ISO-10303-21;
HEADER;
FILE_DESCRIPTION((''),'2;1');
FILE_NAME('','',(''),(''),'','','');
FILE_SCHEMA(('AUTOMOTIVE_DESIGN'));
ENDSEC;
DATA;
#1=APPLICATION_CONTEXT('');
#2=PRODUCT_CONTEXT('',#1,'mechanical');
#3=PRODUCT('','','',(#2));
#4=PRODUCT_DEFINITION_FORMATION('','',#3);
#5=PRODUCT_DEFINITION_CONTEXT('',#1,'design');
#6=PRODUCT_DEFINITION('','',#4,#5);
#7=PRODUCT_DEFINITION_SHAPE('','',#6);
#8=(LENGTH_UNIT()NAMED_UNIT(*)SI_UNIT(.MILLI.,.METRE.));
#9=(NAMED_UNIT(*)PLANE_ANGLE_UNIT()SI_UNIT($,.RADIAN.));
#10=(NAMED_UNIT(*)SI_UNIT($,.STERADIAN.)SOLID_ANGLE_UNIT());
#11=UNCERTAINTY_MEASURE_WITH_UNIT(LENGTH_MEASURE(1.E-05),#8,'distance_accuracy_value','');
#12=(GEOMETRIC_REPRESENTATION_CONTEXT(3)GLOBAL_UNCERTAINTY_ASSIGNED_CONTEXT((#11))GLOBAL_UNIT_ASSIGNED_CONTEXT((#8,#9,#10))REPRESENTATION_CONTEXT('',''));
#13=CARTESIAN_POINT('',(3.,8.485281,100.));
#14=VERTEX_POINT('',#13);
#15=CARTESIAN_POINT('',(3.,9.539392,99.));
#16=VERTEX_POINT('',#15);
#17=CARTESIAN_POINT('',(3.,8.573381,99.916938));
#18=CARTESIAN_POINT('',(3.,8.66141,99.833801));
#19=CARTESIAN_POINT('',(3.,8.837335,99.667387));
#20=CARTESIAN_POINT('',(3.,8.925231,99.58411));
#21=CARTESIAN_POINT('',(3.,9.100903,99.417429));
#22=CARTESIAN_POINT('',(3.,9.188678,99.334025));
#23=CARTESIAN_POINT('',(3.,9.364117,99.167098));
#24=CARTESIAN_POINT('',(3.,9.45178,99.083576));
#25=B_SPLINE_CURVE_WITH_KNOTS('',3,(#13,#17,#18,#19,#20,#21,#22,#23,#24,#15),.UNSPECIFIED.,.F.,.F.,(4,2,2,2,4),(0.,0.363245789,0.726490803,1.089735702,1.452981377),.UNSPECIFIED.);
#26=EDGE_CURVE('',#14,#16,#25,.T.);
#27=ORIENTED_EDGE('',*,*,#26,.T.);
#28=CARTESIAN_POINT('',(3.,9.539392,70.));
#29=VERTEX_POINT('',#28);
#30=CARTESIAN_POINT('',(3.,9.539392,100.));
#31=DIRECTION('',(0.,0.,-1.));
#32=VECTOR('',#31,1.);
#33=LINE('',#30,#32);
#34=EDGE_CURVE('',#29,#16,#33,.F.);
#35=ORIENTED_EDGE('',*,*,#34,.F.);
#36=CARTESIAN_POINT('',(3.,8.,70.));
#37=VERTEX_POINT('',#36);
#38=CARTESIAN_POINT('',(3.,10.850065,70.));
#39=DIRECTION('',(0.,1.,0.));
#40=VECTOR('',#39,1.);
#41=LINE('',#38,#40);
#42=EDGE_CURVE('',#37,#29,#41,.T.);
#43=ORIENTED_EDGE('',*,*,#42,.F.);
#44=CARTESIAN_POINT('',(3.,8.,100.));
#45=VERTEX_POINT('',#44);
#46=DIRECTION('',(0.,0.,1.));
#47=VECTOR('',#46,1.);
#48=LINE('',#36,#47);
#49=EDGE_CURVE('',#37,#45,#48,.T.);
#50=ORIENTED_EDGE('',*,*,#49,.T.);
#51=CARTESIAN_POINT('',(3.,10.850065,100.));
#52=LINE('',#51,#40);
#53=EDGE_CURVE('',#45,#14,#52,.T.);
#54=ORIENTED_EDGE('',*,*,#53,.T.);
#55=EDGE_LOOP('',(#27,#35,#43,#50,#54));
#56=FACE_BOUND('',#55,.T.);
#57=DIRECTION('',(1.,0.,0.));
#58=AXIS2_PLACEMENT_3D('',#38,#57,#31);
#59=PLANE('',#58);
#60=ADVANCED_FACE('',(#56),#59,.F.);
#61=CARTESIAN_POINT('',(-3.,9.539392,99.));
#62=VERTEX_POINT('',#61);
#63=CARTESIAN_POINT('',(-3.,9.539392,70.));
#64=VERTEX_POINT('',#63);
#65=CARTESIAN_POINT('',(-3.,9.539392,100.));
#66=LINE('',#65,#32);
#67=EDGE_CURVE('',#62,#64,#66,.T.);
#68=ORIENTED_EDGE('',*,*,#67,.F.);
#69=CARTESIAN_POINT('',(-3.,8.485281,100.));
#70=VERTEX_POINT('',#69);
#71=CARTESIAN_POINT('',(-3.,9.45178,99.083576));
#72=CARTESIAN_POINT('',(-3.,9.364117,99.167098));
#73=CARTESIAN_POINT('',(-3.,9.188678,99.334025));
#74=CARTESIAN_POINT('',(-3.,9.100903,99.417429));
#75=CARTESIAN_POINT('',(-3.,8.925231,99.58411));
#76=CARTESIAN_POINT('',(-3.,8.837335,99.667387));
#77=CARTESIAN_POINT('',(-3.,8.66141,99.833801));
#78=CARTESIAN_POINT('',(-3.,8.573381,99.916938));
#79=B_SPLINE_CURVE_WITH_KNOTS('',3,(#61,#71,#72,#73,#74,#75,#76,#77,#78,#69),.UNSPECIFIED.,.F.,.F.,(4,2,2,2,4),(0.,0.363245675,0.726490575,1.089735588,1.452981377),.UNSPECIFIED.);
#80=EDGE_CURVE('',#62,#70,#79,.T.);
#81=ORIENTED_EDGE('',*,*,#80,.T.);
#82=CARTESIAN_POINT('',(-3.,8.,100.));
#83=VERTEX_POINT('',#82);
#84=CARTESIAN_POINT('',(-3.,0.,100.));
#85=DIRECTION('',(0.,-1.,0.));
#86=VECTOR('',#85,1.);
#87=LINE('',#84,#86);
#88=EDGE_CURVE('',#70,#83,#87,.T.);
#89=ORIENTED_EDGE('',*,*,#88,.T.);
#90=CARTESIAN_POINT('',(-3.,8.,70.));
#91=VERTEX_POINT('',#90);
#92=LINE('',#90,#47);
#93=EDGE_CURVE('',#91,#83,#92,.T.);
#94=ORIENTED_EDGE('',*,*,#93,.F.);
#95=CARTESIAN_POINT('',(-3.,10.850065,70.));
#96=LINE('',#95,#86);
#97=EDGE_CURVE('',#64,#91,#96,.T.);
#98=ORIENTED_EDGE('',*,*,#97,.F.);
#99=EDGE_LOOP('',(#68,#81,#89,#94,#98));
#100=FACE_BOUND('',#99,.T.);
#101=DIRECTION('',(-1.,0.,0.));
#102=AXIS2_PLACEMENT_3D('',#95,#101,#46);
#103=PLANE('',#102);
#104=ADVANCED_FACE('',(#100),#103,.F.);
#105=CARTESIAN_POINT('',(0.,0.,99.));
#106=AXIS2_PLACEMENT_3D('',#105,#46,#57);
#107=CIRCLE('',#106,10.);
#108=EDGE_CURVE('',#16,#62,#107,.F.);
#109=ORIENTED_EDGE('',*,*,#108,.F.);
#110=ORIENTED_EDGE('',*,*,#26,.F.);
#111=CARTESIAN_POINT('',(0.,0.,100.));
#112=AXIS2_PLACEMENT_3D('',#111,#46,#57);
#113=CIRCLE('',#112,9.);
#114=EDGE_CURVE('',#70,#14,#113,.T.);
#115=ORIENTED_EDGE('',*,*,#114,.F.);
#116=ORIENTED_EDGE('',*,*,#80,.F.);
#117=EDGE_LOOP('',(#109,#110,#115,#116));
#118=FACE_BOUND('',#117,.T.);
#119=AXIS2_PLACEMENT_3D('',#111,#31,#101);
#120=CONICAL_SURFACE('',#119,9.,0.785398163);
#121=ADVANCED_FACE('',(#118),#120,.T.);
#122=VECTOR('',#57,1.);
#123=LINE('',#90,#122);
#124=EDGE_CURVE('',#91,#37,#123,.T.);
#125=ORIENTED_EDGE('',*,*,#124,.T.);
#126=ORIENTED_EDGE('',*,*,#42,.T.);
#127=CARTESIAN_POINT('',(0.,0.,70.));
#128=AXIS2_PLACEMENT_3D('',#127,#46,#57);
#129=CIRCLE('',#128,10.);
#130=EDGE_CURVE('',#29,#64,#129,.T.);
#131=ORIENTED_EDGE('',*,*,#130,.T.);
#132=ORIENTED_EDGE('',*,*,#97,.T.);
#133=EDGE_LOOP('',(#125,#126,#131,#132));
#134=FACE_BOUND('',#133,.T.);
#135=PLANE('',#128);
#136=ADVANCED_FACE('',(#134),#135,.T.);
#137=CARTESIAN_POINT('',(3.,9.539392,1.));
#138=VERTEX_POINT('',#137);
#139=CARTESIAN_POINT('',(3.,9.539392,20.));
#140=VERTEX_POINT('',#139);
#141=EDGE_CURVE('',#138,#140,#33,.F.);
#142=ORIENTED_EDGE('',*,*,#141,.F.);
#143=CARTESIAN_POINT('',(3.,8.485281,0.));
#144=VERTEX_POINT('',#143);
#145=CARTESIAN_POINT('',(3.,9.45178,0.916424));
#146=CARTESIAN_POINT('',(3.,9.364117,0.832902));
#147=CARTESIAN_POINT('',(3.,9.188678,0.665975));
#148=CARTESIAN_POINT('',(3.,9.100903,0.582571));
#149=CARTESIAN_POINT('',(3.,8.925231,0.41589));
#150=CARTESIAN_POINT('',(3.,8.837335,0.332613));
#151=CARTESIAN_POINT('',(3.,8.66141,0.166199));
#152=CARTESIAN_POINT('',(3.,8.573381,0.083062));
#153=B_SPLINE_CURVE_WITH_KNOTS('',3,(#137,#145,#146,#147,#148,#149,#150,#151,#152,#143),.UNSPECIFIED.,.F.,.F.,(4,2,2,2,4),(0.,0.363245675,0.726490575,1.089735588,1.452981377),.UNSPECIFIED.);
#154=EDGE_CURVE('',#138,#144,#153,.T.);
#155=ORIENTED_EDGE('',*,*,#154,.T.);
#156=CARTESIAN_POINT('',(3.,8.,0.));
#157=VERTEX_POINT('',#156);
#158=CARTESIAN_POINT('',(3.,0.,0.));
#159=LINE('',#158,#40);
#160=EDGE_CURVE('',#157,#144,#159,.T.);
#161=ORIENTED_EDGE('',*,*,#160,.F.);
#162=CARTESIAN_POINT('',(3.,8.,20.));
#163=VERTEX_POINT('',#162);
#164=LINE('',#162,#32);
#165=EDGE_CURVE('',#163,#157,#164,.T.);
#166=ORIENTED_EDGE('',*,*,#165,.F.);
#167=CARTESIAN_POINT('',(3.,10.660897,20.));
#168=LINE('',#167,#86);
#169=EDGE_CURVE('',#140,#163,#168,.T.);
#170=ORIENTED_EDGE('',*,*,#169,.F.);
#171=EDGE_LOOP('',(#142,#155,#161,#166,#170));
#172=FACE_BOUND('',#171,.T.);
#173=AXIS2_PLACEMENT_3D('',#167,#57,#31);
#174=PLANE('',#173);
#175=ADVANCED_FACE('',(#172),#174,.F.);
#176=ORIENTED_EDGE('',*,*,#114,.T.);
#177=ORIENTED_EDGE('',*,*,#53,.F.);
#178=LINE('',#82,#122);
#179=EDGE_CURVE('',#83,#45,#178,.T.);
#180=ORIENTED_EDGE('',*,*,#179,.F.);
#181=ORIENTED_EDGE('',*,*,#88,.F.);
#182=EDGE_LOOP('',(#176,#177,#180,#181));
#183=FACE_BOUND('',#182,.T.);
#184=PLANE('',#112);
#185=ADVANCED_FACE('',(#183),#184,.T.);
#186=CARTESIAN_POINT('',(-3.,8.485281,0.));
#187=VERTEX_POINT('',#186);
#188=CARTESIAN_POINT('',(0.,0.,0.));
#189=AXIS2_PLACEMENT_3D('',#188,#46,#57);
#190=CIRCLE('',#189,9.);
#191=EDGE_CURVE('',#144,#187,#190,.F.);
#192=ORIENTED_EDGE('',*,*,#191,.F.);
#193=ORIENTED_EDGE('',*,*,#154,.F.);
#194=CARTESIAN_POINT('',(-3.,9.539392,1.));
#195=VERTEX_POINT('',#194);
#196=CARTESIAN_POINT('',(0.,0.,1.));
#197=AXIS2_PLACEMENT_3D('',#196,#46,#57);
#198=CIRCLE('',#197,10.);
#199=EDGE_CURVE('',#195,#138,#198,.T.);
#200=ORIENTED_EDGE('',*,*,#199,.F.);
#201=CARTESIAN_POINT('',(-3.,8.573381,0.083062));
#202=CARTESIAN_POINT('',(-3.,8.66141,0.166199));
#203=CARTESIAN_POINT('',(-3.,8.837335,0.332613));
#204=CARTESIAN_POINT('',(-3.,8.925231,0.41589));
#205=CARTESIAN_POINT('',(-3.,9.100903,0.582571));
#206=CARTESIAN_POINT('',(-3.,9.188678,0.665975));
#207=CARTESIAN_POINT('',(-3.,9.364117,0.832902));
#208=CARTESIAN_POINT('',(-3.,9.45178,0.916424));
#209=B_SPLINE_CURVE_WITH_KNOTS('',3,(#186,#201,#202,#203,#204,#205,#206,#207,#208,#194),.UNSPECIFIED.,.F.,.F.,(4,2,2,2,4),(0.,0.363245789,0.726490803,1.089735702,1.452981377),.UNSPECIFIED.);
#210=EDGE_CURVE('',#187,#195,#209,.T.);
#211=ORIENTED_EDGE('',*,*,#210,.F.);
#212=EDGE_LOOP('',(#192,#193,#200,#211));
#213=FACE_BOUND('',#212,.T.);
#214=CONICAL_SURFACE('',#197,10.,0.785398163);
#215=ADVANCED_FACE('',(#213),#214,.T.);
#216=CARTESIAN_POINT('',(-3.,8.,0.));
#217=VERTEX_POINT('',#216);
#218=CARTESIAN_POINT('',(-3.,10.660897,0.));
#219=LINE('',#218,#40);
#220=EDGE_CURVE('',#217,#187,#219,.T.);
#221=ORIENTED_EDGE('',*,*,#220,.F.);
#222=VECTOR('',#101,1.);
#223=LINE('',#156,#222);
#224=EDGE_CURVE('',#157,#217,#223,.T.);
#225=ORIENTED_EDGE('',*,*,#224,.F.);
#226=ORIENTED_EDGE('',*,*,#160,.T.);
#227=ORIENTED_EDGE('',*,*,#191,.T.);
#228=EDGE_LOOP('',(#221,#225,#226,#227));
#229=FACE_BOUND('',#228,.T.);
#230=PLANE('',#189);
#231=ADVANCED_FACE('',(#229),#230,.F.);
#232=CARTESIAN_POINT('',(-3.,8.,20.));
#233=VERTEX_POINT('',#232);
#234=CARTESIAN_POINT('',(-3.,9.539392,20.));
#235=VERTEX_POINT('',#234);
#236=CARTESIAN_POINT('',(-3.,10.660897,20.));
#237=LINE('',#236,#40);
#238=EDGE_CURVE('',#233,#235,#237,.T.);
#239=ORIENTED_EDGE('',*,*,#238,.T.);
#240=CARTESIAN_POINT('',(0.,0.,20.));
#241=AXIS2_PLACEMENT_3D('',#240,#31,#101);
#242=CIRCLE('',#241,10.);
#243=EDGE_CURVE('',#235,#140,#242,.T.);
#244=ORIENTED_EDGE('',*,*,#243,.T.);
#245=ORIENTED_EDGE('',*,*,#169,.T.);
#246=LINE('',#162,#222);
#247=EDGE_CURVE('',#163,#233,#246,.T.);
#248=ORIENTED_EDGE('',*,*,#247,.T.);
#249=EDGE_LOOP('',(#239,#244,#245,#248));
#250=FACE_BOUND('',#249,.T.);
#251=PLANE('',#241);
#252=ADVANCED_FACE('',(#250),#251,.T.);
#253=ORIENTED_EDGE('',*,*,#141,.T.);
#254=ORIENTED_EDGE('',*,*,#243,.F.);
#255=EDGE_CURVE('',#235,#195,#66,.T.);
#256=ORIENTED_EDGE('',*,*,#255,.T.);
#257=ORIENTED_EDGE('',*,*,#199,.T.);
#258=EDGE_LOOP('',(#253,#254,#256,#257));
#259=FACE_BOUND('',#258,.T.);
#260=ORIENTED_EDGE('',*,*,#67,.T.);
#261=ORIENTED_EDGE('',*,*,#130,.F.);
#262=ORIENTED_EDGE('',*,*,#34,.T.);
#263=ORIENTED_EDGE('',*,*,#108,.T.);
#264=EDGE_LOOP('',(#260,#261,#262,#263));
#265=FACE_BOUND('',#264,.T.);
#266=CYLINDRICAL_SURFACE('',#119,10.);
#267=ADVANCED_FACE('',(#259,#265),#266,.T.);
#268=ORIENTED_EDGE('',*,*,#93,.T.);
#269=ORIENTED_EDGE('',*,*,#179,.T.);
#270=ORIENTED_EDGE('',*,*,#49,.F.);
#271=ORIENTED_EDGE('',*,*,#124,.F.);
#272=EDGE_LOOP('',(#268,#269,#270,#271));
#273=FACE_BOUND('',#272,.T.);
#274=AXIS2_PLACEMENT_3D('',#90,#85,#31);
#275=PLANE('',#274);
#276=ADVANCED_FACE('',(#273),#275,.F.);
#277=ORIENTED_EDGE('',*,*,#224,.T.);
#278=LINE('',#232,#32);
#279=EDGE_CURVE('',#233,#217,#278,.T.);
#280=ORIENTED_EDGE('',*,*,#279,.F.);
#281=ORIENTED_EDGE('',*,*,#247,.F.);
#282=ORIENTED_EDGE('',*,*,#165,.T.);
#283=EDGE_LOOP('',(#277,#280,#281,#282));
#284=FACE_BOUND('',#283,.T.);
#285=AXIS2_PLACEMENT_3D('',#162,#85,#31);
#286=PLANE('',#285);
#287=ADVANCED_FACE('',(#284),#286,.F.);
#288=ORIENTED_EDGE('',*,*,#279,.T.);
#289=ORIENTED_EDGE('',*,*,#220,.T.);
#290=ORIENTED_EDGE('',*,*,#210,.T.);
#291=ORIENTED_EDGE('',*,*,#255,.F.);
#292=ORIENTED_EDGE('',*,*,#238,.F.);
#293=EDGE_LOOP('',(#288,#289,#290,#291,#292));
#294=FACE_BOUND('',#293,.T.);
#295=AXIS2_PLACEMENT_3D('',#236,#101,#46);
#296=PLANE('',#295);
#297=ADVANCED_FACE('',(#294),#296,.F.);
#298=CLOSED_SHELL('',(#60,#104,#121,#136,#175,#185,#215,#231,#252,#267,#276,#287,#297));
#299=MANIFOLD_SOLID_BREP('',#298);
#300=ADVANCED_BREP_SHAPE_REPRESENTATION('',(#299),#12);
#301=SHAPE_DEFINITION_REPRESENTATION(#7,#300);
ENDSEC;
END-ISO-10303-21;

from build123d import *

# Parameters (mm, degrees)
SKETCH1_R           = 10
BOSS_EXTRUDE1_DEPTH = 100
SKETCH2_W           = 6
SKETCH2_H           = 2.85006478
CUT_EXTRUDE1_DEPTH  = 30
SKETCH3_W           = 6
SKETCH3_H           = 2.660897005
CUT_EXTRUDE2_DEPTH  = 20
CHAMFER1_SIZE       = 1


with BuildPart() as part:
    # Sketch1 → Boss-Extrude1 (new body)
    with BuildSketch(Plane.XY):
        Circle(SKETCH1_R)
    extrude(amount=BOSS_EXTRUDE1_DEPTH)

    # Sketch2 → Cut-Extrude1 (cut)
    with BuildSketch(Plane.XY.offset(100)):
        with Locations((0, 9.42503239)):
            Rectangle(SKETCH2_W, SKETCH2_H)
    extrude(amount=-CUT_EXTRUDE1_DEPTH, mode=Mode.SUBTRACT)

    # Sketch3 → Cut-Extrude2 (cut)
    with BuildSketch(Plane(origin=(0, 0, 0), x_dir=(-1, 0, 0), z_dir=(0, 0, -1))):
        with Locations((0, 9.330448503)):
            Rectangle(SKETCH3_W, SKETCH3_H)
    extrude(amount=-CUT_EXTRUDE2_DEPTH, mode=Mode.SUBTRACT)

    # Chamfer1
    chamfer1_edges = [part.edges().sort_by_distance(p)[0] for p in [
        (-5.916079783, -8.062257748, 0),
        (-5.916079783, -8.062257748, 100),
    ]]
    chamfer(chamfer1_edges, length=CHAMFER1_SIZE)


solid = part.part
